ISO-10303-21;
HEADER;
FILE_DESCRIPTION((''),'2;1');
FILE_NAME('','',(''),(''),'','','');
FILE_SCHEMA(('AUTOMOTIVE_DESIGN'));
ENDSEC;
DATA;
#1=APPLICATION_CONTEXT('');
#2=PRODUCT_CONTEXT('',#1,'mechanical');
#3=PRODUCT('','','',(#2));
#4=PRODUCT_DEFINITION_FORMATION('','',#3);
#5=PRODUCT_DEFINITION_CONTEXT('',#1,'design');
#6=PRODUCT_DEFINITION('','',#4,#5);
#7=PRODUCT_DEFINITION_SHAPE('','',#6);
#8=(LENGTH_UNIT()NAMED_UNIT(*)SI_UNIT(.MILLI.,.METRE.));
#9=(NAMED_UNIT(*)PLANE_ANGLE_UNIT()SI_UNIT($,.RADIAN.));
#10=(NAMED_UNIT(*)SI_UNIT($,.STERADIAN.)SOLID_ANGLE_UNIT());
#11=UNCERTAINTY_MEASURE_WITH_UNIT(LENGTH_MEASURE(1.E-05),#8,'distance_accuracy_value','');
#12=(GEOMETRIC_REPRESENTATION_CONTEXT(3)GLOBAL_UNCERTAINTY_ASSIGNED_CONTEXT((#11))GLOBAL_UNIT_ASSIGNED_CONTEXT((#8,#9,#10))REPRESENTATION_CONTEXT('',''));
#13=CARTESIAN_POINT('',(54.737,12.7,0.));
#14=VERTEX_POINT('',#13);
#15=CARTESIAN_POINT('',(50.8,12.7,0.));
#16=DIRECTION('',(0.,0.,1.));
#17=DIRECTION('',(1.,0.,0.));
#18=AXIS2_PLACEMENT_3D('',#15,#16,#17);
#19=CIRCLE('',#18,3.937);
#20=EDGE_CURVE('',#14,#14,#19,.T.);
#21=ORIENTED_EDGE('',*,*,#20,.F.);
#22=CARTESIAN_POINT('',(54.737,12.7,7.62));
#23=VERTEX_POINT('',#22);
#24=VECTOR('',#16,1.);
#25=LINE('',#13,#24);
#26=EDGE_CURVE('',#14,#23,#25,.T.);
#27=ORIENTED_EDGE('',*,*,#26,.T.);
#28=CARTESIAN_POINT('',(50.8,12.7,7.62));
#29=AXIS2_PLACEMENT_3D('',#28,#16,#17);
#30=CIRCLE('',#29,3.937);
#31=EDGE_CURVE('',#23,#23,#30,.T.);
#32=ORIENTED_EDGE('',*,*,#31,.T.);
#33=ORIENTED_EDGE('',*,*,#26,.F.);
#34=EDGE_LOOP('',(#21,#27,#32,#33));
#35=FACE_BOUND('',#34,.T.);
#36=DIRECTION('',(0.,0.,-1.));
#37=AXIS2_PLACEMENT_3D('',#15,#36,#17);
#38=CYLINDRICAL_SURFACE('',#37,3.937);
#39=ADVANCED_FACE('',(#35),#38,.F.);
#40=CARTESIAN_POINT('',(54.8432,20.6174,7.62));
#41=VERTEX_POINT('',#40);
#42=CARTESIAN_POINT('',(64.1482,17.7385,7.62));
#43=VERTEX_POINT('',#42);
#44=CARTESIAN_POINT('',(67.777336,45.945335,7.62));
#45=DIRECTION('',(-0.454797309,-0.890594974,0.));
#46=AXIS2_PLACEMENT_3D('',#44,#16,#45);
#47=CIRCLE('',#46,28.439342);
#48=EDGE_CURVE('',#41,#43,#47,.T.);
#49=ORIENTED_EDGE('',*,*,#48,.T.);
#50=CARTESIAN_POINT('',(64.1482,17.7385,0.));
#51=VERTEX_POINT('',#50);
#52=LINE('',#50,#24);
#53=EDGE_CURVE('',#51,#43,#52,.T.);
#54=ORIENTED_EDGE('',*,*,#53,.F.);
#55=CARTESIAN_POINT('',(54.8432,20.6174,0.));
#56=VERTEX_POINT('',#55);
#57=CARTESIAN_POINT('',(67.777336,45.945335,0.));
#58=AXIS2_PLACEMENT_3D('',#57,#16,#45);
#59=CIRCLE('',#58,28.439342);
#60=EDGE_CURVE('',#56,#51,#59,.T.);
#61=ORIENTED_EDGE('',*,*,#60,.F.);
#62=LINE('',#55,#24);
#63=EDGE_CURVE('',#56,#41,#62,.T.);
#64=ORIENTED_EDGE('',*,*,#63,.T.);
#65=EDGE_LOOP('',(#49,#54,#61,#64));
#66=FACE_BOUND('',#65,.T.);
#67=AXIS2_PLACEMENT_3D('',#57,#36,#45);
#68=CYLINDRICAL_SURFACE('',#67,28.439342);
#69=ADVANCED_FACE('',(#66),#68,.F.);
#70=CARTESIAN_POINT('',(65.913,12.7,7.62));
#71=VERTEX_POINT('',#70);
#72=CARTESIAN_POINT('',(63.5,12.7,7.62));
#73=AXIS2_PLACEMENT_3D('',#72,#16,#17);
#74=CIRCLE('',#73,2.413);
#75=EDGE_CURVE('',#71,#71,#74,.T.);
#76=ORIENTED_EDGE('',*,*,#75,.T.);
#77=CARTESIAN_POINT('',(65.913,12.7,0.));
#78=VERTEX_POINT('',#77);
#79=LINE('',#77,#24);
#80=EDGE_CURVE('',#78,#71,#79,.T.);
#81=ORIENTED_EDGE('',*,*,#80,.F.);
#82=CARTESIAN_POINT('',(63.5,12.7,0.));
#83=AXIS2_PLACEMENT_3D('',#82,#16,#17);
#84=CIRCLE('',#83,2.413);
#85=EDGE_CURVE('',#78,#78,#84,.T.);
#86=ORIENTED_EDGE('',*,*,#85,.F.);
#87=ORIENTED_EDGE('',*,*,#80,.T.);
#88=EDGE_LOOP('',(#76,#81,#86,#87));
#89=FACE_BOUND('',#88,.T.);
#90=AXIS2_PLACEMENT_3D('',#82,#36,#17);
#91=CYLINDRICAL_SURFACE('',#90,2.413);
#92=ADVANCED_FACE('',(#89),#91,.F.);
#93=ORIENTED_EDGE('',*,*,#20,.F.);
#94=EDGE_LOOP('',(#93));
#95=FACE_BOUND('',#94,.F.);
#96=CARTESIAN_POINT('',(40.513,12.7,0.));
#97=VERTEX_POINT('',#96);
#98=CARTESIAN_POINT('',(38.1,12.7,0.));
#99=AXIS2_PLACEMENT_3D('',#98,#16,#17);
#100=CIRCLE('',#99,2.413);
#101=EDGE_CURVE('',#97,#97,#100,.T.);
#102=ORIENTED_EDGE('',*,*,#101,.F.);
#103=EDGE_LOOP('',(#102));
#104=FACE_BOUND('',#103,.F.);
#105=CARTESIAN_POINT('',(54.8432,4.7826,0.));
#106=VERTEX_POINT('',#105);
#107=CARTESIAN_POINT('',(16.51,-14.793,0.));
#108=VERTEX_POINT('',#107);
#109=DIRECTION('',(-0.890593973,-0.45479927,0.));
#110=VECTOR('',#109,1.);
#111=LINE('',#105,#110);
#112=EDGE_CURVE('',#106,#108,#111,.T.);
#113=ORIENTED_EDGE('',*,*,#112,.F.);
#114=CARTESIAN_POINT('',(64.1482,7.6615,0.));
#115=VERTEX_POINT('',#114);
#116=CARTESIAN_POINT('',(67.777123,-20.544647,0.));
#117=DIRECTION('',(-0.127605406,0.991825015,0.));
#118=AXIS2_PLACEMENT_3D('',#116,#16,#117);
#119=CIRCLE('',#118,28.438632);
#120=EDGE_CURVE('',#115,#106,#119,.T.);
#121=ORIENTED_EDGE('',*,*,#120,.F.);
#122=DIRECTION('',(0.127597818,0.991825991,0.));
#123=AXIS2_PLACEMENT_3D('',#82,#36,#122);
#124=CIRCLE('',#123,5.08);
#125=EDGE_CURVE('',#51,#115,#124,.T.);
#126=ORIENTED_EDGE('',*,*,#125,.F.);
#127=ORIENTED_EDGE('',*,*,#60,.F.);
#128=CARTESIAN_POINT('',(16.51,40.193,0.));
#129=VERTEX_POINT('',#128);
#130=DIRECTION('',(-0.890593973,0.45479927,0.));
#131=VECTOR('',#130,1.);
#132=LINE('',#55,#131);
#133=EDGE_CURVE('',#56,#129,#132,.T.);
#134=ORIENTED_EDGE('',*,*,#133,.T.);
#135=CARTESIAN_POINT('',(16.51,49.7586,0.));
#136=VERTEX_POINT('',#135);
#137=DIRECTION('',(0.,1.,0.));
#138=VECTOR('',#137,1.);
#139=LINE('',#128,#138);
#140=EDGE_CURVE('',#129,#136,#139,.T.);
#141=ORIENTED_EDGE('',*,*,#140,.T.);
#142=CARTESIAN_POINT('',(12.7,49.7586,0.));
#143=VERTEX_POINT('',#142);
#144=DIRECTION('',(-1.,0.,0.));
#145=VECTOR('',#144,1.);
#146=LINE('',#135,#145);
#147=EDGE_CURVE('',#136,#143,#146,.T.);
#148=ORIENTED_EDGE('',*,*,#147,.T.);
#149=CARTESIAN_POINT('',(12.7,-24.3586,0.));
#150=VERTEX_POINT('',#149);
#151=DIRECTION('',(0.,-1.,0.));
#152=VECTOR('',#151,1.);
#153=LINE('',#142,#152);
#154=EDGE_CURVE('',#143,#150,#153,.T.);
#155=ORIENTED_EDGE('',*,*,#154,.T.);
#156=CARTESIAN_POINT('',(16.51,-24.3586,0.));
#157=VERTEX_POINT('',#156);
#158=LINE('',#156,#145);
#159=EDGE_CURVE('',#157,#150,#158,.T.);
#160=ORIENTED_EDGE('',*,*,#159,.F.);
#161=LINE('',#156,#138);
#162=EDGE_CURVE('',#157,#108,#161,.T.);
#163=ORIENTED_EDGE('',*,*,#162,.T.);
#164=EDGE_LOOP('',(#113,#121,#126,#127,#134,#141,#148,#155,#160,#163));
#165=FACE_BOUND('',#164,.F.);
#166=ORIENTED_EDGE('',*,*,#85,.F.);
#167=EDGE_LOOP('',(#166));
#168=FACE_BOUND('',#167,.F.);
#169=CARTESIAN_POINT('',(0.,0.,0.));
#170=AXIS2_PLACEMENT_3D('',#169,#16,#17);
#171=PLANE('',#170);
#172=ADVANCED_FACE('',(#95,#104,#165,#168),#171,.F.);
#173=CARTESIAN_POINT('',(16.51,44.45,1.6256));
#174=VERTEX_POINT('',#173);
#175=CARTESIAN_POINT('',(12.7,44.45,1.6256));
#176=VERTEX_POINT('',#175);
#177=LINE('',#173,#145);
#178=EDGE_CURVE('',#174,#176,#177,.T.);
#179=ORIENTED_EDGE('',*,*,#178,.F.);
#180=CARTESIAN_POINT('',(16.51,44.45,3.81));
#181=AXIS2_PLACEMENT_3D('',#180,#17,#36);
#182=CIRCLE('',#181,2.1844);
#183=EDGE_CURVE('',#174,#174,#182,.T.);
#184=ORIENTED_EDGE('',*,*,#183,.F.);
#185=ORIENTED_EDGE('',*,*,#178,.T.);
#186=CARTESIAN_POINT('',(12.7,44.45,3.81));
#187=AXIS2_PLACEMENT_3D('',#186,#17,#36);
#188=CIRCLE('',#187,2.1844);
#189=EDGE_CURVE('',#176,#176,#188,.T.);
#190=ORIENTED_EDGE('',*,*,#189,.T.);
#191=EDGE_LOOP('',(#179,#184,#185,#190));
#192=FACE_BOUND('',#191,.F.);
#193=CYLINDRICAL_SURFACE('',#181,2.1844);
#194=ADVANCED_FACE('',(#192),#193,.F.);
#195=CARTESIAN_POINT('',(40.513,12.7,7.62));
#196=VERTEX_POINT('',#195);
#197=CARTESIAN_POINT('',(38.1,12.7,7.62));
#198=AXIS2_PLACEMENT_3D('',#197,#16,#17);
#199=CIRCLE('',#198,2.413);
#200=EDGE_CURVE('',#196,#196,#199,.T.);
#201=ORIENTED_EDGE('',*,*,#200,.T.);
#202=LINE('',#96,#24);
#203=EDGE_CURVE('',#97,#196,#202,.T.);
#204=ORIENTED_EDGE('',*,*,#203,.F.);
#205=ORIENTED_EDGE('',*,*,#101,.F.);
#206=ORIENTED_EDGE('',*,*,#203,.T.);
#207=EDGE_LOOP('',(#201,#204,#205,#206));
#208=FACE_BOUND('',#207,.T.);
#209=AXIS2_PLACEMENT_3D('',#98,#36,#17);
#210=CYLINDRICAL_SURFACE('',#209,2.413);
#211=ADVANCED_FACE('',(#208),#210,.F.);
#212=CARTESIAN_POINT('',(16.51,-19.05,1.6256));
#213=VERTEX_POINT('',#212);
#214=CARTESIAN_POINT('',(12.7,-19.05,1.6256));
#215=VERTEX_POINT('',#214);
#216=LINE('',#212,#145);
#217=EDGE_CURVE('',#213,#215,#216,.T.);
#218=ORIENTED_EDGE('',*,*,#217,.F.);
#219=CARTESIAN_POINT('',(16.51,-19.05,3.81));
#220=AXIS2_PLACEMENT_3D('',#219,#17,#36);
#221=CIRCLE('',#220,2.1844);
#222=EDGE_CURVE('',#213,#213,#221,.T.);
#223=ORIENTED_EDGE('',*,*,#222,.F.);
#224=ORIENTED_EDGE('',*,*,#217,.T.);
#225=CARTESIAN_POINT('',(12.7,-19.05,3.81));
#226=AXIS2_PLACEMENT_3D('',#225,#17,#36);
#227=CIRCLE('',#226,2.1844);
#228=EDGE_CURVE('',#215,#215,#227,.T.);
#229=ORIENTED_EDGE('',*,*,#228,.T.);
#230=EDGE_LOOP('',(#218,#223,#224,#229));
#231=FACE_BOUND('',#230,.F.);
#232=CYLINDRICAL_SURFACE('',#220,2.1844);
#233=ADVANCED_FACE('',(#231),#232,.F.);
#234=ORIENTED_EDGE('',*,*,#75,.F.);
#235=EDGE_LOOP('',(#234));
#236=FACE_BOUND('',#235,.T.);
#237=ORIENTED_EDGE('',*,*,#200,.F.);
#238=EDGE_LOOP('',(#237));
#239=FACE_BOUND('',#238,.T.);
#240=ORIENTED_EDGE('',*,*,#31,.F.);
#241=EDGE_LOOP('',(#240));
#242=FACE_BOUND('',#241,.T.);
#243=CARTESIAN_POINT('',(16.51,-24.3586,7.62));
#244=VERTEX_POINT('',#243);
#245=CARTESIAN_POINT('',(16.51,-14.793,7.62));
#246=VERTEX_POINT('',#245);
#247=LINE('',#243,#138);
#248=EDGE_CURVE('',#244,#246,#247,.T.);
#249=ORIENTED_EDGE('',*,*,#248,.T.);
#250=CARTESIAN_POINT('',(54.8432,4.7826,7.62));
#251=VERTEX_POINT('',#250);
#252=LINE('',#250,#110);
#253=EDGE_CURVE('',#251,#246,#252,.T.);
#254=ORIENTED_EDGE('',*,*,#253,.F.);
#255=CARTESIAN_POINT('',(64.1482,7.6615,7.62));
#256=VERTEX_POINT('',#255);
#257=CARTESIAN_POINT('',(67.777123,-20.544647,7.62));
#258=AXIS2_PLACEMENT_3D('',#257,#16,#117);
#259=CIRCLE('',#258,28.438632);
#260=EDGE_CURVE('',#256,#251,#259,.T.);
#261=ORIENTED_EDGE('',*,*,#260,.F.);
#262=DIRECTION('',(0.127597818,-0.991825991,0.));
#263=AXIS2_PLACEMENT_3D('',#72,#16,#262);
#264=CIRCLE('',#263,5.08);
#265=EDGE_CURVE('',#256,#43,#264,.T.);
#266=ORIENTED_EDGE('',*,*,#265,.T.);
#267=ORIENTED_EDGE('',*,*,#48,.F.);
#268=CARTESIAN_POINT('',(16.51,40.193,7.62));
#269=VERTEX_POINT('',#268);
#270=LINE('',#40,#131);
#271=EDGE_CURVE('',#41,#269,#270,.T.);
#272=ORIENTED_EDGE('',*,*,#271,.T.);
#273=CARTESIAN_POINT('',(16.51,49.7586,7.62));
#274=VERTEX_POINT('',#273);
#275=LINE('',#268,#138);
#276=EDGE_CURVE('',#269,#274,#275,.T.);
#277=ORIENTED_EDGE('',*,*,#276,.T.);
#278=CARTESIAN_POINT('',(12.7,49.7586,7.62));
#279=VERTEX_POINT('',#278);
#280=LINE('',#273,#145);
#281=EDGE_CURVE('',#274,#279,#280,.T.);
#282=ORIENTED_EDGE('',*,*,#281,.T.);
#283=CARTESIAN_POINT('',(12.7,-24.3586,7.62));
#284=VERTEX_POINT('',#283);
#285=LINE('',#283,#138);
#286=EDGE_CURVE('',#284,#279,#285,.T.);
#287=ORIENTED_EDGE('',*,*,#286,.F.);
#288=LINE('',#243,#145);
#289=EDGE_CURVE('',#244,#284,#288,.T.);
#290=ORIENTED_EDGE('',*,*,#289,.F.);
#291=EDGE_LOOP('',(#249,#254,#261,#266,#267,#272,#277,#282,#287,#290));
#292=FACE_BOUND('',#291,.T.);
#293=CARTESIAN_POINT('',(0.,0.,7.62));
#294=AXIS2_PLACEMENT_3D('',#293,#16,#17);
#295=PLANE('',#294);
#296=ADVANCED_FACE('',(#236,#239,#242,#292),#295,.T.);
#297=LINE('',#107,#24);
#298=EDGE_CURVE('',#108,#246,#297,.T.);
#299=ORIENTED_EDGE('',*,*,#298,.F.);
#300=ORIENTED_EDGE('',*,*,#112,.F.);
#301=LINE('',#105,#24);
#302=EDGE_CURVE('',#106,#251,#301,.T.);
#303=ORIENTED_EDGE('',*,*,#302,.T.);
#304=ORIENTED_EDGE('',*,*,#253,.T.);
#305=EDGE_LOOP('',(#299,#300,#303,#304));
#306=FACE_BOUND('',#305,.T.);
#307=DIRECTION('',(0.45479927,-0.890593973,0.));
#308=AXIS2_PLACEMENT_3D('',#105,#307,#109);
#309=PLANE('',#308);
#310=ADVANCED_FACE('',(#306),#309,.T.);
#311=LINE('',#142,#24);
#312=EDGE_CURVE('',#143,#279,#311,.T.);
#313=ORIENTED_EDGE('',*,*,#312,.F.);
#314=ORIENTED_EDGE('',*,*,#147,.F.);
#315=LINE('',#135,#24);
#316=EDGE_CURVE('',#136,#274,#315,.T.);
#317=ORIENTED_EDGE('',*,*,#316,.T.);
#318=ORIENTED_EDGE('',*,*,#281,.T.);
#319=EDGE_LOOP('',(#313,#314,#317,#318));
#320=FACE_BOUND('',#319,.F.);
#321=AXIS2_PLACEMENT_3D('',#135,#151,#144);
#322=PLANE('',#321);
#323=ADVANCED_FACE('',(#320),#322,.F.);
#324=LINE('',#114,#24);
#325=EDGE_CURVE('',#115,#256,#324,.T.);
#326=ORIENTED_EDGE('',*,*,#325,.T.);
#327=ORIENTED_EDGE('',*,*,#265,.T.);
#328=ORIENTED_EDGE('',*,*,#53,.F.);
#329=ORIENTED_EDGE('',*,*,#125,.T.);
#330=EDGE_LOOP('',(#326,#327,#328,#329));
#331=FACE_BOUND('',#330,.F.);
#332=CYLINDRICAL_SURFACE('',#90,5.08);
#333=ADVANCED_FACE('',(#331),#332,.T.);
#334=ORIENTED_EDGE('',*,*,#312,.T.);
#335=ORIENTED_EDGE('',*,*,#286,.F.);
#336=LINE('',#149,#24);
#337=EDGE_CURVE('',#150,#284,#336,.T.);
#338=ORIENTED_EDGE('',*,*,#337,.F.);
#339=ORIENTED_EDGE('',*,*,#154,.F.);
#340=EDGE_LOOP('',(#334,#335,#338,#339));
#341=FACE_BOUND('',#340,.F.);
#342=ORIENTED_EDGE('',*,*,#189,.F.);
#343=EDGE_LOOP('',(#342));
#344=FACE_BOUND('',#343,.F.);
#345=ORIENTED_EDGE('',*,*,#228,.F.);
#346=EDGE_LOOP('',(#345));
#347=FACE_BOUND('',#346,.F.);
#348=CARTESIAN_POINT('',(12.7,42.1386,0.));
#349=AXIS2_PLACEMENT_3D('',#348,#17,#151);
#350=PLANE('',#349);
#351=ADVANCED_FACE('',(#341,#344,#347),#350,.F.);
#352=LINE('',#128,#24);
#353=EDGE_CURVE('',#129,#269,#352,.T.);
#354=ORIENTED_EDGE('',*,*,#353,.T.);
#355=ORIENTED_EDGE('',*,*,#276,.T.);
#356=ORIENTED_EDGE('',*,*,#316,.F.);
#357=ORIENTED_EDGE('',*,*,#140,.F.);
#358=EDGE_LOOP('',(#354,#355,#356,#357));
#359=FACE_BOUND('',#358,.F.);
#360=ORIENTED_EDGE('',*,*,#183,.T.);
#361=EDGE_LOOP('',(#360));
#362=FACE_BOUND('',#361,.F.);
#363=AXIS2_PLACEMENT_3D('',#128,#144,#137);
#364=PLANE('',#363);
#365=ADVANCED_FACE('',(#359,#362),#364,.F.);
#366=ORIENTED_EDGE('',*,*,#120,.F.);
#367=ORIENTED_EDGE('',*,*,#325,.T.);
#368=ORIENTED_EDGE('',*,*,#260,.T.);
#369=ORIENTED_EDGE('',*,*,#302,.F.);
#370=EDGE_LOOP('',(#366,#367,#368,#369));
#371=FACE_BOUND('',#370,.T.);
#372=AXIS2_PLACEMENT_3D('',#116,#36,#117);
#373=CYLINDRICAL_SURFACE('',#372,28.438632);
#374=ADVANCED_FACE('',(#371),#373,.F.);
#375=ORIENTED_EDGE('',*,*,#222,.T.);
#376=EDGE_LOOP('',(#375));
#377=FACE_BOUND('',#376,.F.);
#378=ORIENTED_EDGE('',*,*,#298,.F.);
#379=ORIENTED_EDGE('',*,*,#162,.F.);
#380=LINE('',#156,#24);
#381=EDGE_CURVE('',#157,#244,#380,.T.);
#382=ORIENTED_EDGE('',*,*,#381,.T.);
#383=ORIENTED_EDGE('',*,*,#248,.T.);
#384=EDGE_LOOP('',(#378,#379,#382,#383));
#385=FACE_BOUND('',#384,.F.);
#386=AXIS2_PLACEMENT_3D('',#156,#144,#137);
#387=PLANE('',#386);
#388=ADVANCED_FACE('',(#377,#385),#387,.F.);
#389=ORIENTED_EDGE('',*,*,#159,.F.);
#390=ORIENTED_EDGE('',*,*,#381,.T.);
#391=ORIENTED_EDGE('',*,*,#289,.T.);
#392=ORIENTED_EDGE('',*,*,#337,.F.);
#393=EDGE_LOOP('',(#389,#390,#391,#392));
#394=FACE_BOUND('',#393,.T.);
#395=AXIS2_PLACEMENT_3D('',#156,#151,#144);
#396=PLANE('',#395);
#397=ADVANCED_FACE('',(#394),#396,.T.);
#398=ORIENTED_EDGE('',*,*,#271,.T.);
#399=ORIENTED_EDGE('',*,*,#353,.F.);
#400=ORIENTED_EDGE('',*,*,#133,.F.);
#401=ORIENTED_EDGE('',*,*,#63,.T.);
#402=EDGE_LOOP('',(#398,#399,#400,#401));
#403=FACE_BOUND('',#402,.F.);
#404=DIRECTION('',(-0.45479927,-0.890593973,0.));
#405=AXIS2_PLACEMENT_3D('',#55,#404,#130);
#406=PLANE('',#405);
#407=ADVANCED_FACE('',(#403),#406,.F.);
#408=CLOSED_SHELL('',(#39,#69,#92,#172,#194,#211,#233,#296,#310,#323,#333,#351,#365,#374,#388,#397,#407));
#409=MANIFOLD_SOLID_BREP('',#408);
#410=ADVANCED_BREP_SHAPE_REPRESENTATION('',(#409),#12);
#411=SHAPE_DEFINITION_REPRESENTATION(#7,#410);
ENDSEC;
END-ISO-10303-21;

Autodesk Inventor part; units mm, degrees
ref_plane "YZ Plane" through (0, 0, 0) normal (1, 0, 0) x (0, 1, 0)
ref_plane "XZ Plane" through (0, 0, 0) normal (0, 1, 0) x (-1, 0, 0)
ref_plane "Work Plane1" through (0, 0, 0) normal (0, 0, 1) x (1, 0, 0)
sketch "Sketch1" plane through (0, 0, 0) normal (0, 0, 1) x (1, 0, 0)
  circle A0 centre (0, 12.7) radius 2.1844 projected
  line L0 (12.7, -0.9398) -> (12.7, -62.4078) projected
  line L1 (0, 12.7) -> (50.8, 12.7) construction
  circle A1 centre (50.8, 12.7) radius 3.937
  circle A2 centre (50.8, 12.7) radius 8.89
  line L2 (12.7, -16.7386) -> (11.1125, -16.7386) construction
  line L3 (12.7, -21.3614) -> (11.1125, -21.3614) construction
  line L4 (12.7, 46.7614) -> (11.1125, 46.7614) construction
  line L5 (12.7, 42.1386) -> (11.1125, 42.1386) construction
  line L6 (54.8432, 20.6174) -> (16.51, 40.193)
  line L7 (54.8432, 4.7826) -> (16.51, -14.793)
  line L8 (12.7, 42.1386) -> (12.7, -16.7386)
  line L9 (16.51, 40.193) -> (16.51, 49.7586)
  line L10 (16.51, 49.7586) -> (12.7, 49.7586)
  line L11 (12.7, 49.7586) -> (12.7, 42.1386)
  line L12 (16.51, 40.193) -> (16.51, -14.793) construction
  line L13 (16.51, -24.3586) -> (12.7, -24.3586)
  line L14 (12.7, -16.7386) -> (12.7, -24.3586)
  line L15 (16.51, -24.3586) -> (16.51, -14.793)
  line L16 (16.51, 40.193) -> (12.7, 42.1386) construction
  line L17 (16.51, -14.793) -> (12.7, -16.7386) construction
  circle A3 centre (38.1, 12.7) radius 2.413
  circle A4 centre (63.5, 12.7) radius 2.413
  circle A5 centre (63.5, 12.7) radius 5.08
  arc A6 (54.8432, 20.6174) -> (64.1482, 17.7385) centre (67.7772, 45.945) ccw
  arc A7 (64.1482, 7.6615) -> (54.8432, 4.7826) centre (67.7772, -20.545) ccw
  point P0 (0, 0)
  dimension "d0" = 50.8
  dimension "d1" = 7.874
  dimension "d2" = 17.78
  dimension "d3" = 3.81
  dimension "d4" = 7.62
  dimension "d5" = 7.62
  dimension "d10" = 4.826
  dimension "d11" = 4.826
  dimension "d12" = 12.7
  dimension "d13" = 12.7
  dimension "d14" = 10.16
extrude "Extrusion1" add sketch "Sketch1" along normal blind 7.62 contours L8 L11 L10 L9 L6 A2 L7 L15 L13 L0 | A2 A5 | A2 A5 A7 | A6 A5 A2 | A5 A2 | A2 A5
sketch "Sketch2" plane through (16.51, -24.3586, 0) normal (1, 0, 0) x (0, 0, -1)
  circle A0 centre (7.9375, 5.3086) radius 2.1844 projected
  circle A1 centre (7.9375, 68.8086) radius 2.1844 projected
  circle A2 centre (-3.81, 5.3086) radius 2.1844
  circle A3 centre (-3.81, 68.8086) radius 2.1844
  line L0 (0, 0) -> (-7.62, 0) projected
  point P0 (0, 24.3586)
  point P1 (-3.81, 0)
extrude "Extrusion2" cut sketch "Sketch2" against normal blind 6.35 contours A2 | A3
properties part number "TransmissonCoreMount"
